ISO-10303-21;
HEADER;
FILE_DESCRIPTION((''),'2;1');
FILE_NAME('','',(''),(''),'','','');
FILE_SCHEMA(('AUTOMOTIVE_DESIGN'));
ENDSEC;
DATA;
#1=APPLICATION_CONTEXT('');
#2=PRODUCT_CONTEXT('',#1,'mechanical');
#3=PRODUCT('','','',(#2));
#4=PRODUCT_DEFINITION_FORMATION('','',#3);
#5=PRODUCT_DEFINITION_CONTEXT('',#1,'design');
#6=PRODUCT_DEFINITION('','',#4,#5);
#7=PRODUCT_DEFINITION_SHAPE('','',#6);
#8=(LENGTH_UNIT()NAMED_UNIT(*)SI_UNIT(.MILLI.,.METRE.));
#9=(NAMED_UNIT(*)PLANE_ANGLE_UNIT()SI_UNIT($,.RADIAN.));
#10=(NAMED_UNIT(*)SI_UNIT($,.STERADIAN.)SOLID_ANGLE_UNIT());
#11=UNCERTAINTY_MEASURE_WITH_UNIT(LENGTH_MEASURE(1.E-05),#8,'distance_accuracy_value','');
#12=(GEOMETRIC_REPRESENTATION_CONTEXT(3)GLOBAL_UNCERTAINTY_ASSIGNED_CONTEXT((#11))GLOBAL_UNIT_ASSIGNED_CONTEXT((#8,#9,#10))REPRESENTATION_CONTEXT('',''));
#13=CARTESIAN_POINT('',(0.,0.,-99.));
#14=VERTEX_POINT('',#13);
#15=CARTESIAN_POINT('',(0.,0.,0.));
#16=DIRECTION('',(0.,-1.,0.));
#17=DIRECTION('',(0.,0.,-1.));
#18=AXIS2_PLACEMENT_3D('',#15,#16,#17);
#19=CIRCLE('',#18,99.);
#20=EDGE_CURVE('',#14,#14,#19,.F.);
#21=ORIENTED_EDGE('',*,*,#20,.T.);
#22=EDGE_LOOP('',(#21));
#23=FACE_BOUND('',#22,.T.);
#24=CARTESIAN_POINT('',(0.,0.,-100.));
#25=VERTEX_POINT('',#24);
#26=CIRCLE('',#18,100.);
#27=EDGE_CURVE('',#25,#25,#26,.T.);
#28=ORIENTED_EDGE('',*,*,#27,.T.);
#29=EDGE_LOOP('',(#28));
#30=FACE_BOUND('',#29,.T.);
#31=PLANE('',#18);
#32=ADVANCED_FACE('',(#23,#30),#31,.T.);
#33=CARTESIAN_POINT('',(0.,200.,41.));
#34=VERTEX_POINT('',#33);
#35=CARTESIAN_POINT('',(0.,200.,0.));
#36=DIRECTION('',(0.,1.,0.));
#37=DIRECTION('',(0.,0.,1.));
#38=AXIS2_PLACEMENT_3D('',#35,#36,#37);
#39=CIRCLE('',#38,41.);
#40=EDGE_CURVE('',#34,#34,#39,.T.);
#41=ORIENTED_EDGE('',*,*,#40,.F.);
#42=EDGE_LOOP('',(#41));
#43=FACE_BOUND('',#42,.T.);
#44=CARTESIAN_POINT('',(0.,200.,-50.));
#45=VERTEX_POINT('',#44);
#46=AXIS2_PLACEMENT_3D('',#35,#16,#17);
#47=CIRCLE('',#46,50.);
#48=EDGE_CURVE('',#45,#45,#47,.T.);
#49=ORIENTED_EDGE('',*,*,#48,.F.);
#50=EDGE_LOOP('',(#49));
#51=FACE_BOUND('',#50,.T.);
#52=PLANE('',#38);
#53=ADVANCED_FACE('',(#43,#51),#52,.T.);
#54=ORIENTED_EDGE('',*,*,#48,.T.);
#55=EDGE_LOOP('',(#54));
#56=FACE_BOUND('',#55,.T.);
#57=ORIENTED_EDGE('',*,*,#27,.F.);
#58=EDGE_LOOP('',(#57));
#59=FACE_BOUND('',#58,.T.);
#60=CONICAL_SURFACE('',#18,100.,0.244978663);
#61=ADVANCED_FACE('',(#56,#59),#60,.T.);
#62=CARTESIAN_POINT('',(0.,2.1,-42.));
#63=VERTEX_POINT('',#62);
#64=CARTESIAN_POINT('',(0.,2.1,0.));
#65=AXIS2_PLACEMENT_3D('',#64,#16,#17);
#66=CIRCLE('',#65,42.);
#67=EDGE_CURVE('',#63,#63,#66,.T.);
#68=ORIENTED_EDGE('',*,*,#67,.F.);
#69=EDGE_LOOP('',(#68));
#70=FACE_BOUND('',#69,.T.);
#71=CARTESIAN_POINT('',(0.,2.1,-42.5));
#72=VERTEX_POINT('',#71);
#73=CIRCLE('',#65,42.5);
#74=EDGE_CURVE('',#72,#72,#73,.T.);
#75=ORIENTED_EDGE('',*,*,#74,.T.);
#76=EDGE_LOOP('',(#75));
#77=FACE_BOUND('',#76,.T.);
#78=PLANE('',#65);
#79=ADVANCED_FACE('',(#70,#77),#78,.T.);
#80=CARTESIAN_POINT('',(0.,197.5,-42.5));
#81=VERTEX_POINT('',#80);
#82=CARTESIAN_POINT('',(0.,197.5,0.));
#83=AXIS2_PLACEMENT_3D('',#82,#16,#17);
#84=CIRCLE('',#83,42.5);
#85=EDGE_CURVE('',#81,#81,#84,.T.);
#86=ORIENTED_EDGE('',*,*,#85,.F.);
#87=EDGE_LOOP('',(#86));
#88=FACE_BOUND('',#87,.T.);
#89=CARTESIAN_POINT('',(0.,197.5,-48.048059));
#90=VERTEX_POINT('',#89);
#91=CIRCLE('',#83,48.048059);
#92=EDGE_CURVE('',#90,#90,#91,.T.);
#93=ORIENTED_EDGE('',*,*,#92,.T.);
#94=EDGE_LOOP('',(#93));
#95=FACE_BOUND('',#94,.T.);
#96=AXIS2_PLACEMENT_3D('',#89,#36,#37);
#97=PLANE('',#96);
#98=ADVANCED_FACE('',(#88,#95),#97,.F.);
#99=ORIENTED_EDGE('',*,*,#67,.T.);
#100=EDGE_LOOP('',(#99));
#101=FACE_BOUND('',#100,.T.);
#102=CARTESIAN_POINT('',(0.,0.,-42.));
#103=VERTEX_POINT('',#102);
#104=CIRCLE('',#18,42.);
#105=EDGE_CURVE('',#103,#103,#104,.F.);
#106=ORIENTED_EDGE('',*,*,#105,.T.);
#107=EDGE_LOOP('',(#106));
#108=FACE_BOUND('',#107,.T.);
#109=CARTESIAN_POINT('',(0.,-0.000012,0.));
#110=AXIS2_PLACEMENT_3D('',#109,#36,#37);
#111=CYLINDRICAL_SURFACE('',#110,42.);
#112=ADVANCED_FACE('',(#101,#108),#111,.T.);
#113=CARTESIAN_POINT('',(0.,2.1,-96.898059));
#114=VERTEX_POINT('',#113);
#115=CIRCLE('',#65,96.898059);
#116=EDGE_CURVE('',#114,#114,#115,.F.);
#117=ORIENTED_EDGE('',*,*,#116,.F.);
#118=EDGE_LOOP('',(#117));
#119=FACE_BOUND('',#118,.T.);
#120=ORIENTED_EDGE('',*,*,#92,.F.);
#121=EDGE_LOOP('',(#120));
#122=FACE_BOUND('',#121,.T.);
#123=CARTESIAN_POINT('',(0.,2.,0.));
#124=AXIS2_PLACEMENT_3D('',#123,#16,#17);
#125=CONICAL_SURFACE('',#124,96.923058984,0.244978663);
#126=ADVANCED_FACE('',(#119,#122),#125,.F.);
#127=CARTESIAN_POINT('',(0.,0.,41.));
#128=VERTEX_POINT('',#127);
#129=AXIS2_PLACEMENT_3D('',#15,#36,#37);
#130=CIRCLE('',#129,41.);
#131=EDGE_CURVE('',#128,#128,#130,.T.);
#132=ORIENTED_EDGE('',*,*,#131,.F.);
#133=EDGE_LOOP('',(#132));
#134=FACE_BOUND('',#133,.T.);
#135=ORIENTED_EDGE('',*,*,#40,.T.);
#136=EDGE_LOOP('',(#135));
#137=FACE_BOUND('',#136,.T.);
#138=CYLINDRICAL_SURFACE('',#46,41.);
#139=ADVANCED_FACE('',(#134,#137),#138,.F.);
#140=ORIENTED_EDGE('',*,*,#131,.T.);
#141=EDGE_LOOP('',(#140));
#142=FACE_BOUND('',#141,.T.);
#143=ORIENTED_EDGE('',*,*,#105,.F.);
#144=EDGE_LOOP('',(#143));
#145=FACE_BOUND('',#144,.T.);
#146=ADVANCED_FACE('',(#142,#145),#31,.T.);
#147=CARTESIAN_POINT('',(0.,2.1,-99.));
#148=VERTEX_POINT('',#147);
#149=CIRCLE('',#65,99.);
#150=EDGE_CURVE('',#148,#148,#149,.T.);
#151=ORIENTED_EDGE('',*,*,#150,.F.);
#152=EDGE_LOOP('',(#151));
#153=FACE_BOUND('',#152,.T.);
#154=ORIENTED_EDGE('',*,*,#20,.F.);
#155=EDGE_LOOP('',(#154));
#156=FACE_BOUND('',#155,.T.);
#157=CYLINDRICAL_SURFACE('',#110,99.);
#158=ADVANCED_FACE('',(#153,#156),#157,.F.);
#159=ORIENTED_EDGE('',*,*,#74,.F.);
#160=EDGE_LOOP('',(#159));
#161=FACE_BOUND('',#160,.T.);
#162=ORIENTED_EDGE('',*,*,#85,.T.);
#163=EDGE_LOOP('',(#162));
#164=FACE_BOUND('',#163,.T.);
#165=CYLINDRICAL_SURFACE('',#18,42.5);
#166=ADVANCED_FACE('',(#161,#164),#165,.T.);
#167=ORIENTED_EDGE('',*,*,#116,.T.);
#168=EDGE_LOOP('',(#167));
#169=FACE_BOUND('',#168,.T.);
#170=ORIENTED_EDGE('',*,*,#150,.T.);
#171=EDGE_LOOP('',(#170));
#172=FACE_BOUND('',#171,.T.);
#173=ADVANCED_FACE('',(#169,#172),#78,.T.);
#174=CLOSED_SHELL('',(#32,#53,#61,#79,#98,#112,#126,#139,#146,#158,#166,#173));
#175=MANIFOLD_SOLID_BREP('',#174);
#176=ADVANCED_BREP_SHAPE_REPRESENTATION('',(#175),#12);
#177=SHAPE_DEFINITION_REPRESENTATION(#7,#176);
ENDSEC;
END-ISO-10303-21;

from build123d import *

# Parameters (mm, degrees)
SKETCH5_R               = 41
CUT_EXTRUDE2_DEPTH      = 200
SKETCH10_R              = 99
SKETCH10_R_2            = 42
CUT_EXTRUDE3_DEPTH      = 1
CUT_EXTRUDE3_DEPTH_BACK = 2.1


with BuildPart() as part:
    # Sketch3 → Revolve1 (revolve)
    with BuildSketch(Plane(origin=(0, 0, 0), x_dir=(0, 0, -1), z_dir=(1, 0, 0))):
        Polygon((0, 0), (100, 0), (50, 200), (0, 200), align=None)
    revolve(axis=Axis((0, 0, 0), (0, 1, 0)))

    # Sketch5 → Cut-Extrude2 (cut)
    with BuildSketch(Plane(origin=(0, 0, 0), x_dir=(1, 0, 0), z_dir=(0, 1, 0))):
        Circle(SKETCH5_R)
    extrude(amount=CUT_EXTRUDE2_DEPTH, mode=Mode.SUBTRACT)

    # Sketch7 → Cut-Revolve1 (revolve, cut)
    with BuildSketch(Plane(origin=(0, 0, 0), x_dir=(0, 0, -1), z_dir=(1, 0, 0))):
        Polygon((96.923058984, 2), (48.048058984, 197.5), (42.5, 197.5), (42.5, 2), align=None)
    revolve(axis=Axis((0, 0, 0), (0, -1, 0)), mode=Mode.SUBTRACT)

    # Sketch10 → Cut-Extrude3 (cut, two sides)
    with BuildSketch(Plane.XZ) as cut_extrude3_sk:
        Circle(SKETCH10_R)
        Circle(SKETCH10_R_2, mode=Mode.SUBTRACT)
    extrude(amount=CUT_EXTRUDE3_DEPTH, mode=Mode.SUBTRACT)
    extrude(cut_extrude3_sk.sketch, amount=-CUT_EXTRUDE3_DEPTH_BACK, mode=Mode.SUBTRACT)


solid = part.part
